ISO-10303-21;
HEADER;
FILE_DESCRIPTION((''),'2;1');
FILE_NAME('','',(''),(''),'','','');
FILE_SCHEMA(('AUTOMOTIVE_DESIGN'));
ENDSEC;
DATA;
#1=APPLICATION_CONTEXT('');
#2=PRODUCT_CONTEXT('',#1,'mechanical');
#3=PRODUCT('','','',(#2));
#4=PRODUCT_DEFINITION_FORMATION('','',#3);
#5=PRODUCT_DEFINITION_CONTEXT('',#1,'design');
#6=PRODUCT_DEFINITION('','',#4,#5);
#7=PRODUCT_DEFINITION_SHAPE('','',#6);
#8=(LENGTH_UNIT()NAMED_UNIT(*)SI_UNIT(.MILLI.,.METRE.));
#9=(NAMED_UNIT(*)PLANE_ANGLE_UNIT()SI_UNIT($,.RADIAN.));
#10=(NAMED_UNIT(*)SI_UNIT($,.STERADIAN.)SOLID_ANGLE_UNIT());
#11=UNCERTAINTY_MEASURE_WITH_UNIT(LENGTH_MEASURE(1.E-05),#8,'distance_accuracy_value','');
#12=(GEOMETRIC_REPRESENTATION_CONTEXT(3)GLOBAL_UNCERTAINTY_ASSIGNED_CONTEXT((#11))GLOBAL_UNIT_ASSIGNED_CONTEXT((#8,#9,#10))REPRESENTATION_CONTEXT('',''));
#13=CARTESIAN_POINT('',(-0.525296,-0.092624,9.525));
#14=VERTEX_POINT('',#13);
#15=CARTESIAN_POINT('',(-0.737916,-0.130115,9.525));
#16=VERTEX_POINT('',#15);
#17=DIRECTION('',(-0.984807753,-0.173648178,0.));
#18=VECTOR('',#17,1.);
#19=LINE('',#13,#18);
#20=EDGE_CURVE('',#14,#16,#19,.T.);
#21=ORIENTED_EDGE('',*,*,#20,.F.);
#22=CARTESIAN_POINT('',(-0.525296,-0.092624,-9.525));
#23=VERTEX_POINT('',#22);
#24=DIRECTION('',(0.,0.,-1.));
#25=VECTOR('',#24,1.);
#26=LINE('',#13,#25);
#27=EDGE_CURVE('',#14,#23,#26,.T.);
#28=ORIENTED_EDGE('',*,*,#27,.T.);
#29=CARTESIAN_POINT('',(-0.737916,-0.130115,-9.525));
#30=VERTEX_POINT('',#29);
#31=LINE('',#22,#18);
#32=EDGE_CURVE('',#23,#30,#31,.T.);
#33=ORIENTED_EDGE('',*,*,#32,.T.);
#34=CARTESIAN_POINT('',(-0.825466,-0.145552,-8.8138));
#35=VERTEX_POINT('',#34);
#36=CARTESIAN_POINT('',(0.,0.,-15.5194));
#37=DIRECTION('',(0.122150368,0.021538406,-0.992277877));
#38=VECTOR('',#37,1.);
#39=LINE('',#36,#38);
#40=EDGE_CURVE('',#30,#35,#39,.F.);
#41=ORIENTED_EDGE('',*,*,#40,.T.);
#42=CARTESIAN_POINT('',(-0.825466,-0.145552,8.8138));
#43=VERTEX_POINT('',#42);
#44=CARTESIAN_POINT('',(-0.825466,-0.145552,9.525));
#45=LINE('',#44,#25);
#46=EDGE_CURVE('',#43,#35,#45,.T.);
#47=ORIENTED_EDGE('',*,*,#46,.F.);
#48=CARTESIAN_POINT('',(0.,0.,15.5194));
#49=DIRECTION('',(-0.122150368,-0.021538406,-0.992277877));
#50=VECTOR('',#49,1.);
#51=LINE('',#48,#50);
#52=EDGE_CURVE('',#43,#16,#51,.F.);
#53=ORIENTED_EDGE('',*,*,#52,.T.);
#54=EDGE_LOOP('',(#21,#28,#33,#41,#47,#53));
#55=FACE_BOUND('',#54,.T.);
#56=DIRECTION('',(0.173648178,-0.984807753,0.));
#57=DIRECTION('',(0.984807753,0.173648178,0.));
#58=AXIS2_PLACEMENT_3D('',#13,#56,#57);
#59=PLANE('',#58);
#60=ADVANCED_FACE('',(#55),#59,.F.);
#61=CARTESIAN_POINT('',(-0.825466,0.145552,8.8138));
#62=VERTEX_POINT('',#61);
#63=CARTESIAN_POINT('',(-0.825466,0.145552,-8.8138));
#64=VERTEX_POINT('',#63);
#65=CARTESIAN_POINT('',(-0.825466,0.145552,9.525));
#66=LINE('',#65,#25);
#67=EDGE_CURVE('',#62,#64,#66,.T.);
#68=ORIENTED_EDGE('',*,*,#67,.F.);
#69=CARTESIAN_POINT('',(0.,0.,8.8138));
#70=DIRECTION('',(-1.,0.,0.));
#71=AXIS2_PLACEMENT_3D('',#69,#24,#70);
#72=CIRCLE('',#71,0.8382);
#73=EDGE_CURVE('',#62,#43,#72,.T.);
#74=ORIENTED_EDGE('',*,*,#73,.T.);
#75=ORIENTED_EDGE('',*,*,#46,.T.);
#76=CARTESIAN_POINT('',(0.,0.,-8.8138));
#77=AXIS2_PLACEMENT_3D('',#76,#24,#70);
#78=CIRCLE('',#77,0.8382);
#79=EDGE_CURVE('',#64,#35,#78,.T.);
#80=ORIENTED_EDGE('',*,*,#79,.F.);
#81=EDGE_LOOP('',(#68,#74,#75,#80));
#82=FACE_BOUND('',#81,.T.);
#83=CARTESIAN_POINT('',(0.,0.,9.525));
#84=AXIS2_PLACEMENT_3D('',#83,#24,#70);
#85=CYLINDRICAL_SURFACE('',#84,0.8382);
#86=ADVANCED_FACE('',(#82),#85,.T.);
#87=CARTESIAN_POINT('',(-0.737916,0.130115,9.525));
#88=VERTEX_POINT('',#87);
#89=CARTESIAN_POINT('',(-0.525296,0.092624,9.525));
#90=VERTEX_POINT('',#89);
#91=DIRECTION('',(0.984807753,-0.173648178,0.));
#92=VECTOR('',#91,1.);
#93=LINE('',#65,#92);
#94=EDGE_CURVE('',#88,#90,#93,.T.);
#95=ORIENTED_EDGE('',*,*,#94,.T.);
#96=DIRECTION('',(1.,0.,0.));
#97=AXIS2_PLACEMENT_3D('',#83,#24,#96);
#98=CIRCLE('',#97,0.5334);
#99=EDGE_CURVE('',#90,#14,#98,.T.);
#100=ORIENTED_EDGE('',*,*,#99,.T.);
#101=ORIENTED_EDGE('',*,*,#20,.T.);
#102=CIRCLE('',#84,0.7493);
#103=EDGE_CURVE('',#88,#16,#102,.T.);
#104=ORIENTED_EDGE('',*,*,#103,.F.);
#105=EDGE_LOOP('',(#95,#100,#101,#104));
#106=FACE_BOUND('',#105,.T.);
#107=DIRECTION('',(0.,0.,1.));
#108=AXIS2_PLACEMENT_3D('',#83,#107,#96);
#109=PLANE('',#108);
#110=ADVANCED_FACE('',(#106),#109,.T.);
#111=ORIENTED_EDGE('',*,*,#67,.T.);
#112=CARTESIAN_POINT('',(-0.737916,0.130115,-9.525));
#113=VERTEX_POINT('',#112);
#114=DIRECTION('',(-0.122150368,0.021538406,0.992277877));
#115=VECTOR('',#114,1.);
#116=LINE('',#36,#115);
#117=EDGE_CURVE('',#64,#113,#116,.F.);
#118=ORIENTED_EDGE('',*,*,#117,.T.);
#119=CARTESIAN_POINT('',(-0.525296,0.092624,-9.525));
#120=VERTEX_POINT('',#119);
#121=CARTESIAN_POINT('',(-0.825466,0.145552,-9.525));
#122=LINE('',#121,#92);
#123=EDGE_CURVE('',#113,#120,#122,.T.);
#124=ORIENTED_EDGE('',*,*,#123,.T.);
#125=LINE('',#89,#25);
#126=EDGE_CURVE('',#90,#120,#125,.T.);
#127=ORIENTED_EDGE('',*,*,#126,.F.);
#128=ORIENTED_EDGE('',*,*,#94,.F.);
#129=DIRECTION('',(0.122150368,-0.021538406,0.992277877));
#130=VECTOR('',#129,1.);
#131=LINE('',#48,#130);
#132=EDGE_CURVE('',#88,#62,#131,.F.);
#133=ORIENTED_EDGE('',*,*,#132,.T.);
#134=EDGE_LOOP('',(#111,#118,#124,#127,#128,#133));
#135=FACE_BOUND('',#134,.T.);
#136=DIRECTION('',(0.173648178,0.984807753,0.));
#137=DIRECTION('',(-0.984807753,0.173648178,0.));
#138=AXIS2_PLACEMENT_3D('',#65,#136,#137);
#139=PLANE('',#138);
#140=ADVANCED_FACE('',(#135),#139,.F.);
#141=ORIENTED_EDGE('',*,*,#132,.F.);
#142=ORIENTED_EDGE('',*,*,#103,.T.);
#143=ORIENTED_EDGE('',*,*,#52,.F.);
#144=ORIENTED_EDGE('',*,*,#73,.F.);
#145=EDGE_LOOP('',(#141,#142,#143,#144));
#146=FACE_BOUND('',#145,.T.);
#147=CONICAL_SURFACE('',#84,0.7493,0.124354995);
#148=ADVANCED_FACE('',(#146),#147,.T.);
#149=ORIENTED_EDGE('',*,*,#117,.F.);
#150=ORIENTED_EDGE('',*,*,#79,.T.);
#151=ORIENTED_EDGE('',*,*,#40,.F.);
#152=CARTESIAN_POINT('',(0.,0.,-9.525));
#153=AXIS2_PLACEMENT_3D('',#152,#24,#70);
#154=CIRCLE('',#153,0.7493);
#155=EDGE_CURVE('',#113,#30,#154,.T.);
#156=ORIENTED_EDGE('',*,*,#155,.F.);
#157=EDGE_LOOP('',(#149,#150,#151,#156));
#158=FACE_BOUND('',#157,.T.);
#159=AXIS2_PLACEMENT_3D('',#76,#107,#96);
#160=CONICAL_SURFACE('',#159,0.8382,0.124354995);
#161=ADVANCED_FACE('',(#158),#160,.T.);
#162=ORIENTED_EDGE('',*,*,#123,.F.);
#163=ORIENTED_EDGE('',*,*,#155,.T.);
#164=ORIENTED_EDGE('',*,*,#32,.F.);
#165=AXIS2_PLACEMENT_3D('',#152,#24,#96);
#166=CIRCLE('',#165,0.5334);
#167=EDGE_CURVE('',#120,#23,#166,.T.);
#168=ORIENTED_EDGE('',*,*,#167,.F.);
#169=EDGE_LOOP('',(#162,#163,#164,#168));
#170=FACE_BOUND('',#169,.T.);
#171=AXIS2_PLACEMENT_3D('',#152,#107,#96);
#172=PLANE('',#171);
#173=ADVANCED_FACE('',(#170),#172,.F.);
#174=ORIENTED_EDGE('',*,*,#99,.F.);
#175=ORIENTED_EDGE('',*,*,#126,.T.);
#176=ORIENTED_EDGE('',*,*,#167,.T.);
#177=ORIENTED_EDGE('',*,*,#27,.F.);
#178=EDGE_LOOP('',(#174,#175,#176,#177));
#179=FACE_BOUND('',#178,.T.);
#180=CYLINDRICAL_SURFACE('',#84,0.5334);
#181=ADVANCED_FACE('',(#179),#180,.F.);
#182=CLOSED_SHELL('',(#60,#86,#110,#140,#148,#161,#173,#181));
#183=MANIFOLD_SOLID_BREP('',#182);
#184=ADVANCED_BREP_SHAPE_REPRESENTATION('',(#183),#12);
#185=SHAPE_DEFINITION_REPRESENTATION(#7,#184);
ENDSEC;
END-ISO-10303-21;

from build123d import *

# Parameters (mm, degrees)
EXTRUDE1_DEPTH = 9.525


with BuildPart() as part:
    # Sketch1 → Extrude1 (new, symmetric)
    with BuildSketch(Plane.XY):
        with BuildLine():
            Line((-0.825465859, 0.145551903), (-0.525296455, 0.092623938))
            ThreePointArc((-0.525296455, 0.092623938), (0.5334, 0), (-0.525296455, -0.092623938))
            Line((-0.525296455, -0.092623938), (-0.825465859, -0.145551903))
            ThreePointArc((-0.825465859, -0.145551903), (0.8382, 0), (-0.825465859, 0.145551903))
        make_face()
    extrude(amount=EXTRUDE1_DEPTH, both=True)

    # Sketch2 → Cut-Revolve1 (revolve, cut)
    with BuildSketch(Plane(origin=(0, 0, 0), x_dir=(0, 0, -1), z_dir=(1, 0, 0))):
        Polygon((9.525, 0.8382), (9.525, 0.7493), (8.8138, 0.8382), align=None)
        Polygon((-8.8138, 0.8382), (-9.525, 0.8382), (-9.525, 0.7493), align=None)
    revolve(axis=Axis((0, 0, -9.525), (0, 0, 1)), mode=Mode.SUBTRACT)


solid = part.part
